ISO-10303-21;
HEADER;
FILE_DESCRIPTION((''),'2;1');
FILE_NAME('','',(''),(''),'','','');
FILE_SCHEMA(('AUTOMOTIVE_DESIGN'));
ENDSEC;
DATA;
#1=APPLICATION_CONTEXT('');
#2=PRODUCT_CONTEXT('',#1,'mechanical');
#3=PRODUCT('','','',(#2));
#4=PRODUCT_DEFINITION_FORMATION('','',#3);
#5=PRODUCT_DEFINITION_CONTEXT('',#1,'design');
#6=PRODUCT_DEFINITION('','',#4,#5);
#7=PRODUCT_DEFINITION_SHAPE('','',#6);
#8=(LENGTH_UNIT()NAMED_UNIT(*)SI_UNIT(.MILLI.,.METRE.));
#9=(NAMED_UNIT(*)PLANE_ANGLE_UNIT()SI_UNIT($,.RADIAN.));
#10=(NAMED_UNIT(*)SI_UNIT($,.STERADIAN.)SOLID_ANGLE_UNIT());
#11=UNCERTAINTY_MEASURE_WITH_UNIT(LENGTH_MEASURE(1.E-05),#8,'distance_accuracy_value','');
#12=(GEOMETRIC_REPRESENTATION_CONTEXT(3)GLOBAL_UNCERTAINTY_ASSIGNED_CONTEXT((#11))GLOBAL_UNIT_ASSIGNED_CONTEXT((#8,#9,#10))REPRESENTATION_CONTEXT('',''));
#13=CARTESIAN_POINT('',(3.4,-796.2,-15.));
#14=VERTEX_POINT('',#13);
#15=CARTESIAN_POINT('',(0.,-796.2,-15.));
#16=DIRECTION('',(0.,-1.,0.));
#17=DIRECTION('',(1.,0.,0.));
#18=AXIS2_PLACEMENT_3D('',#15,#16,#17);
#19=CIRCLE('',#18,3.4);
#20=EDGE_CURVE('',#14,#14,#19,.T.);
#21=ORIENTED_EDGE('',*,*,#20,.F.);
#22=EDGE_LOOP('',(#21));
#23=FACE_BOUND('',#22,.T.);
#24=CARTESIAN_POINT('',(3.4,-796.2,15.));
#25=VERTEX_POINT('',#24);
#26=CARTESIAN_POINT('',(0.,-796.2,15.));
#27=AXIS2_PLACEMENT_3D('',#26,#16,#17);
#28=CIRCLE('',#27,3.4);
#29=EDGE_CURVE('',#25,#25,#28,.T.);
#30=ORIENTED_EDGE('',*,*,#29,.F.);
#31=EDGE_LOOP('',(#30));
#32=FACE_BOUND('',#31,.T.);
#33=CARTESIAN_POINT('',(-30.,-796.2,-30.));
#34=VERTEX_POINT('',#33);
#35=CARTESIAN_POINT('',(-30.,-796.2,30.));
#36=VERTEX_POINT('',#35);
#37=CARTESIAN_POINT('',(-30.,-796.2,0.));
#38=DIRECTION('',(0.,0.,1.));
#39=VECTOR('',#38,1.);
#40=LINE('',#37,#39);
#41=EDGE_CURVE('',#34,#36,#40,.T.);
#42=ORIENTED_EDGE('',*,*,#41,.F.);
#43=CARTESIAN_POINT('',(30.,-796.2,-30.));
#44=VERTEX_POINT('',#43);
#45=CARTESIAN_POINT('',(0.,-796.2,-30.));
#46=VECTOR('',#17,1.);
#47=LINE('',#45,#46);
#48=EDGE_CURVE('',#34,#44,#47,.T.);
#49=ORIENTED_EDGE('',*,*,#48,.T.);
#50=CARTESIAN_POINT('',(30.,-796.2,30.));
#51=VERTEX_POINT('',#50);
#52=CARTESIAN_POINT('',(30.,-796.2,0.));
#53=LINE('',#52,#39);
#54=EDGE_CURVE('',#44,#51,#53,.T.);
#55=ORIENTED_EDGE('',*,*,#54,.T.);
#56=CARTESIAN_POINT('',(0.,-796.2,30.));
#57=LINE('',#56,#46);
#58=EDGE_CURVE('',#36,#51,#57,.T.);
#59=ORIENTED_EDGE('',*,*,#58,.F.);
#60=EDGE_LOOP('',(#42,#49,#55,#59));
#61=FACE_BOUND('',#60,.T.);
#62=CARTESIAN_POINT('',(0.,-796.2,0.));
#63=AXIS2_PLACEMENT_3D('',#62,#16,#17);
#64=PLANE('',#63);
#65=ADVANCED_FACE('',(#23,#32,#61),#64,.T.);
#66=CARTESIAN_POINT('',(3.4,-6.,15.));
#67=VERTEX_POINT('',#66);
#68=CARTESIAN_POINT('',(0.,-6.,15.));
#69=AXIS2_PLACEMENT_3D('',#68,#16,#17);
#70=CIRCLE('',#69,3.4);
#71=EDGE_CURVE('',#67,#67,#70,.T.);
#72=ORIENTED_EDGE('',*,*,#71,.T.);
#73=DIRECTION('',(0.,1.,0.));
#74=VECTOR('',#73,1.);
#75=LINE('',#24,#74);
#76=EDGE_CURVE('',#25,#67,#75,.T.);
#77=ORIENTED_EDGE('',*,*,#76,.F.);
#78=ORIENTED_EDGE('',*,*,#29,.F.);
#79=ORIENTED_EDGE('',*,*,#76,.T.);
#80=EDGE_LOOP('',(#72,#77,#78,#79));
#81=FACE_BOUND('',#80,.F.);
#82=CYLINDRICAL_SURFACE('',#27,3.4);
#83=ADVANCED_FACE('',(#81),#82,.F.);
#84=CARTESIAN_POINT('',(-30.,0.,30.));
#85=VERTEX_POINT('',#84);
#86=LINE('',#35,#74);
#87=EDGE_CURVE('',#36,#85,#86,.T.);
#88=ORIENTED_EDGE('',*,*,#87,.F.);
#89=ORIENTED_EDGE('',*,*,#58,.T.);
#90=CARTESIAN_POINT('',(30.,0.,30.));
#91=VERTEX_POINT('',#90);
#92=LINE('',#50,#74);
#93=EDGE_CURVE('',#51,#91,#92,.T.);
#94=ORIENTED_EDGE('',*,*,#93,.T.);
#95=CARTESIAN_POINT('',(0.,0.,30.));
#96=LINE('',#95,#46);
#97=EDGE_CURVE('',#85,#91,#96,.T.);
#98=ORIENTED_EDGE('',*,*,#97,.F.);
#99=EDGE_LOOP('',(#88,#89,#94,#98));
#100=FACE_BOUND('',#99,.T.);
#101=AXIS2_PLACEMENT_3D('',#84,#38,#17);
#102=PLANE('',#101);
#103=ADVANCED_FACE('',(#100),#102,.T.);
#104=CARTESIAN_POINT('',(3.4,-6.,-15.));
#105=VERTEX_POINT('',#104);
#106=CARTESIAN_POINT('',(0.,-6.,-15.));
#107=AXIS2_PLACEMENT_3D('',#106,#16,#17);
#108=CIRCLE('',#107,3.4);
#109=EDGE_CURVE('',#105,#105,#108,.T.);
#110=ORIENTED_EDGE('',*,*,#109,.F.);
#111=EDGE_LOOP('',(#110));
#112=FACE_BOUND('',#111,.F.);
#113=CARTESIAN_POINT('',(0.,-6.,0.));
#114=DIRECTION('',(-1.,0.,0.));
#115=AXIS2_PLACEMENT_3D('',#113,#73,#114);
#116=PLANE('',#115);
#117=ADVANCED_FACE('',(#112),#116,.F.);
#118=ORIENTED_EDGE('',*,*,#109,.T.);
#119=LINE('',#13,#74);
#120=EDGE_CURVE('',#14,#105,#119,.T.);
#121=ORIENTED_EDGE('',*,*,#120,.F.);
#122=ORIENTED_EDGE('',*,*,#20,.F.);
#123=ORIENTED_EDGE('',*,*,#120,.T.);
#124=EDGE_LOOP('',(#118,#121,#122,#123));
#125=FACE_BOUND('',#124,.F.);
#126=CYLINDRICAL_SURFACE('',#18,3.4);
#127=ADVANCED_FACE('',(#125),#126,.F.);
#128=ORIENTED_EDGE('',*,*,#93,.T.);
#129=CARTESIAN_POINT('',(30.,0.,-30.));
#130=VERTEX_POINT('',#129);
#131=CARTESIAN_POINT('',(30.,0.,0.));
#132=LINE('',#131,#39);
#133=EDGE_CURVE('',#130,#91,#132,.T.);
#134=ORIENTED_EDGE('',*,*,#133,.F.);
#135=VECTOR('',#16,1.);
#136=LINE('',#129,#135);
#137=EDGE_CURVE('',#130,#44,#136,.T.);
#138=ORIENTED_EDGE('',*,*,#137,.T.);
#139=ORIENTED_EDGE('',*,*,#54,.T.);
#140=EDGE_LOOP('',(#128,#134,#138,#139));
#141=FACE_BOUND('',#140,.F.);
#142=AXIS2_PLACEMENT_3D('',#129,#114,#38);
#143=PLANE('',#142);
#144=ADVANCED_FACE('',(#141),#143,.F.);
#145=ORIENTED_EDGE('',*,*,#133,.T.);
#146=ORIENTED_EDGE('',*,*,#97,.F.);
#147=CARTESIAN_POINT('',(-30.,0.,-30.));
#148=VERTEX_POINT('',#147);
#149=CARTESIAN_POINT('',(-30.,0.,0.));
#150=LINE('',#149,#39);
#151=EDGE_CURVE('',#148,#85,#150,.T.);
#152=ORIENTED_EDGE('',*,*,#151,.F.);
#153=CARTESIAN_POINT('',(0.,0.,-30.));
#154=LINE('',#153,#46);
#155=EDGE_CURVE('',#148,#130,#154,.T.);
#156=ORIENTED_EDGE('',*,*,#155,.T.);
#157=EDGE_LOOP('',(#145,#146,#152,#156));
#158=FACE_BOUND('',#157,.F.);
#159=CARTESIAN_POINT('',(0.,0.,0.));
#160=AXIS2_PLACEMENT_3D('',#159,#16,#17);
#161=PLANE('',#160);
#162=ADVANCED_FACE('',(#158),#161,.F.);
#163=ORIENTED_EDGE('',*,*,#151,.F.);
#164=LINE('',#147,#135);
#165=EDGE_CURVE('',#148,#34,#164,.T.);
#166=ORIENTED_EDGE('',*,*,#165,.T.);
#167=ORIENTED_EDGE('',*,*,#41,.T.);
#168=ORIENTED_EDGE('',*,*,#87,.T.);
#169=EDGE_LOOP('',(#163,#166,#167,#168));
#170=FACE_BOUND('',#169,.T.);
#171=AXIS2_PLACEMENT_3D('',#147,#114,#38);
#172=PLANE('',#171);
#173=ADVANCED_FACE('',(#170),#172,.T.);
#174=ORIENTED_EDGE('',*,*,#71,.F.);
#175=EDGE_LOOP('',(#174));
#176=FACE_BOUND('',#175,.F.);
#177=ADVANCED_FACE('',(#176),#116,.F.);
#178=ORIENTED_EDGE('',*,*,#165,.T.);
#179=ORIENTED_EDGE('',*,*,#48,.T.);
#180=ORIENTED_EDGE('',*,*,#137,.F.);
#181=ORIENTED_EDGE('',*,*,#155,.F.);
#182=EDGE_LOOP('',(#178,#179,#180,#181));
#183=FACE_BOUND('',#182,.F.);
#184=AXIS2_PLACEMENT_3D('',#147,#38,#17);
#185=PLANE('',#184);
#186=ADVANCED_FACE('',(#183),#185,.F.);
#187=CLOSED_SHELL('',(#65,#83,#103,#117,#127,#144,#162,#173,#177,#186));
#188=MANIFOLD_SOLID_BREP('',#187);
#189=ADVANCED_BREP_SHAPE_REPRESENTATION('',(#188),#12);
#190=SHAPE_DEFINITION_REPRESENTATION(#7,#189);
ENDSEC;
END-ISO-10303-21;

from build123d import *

# Parameters (mm, degrees)
F0_W     = 60
F0_H     = 60
F1_DEPTH = 796.2
F2_W     = 60
F2_H     = 60
F3_DEPTH = 6
F4_R     = 3.4
F5_DEPTH = 796.201
F6_W     = 60
F6_H     = 60
F7_DEPTH = 6


with BuildPart() as f1:
    # F0 (on Front) → F1 (new body)
    with BuildSketch(Plane.XZ):
        Rectangle(F0_W, F0_H)
    extrude(amount=F1_DEPTH)

    # F2 (on face) → F3 (join)
    with BuildSketch(Plane.XZ.offset(796.2)):
        Rectangle(F2_W, F2_H)
    extrude(amount=-F3_DEPTH)

    # F4 (on face) → F5 (cut, through all)
    with BuildSketch(Plane.XZ.offset(796.2)):
        with Locations((0, 15)):
            Circle(F4_R)
        with Locations((0, -15)):
            Circle(F4_R)
    extrude(amount=-F5_DEPTH, mode=Mode.SUBTRACT)

    # F6 (on face) → F7 (join)
    with BuildSketch(Plane(origin=(0, 0, 0), x_dir=(-1, 0, 0), z_dir=(0, 1, 0))):
        Rectangle(F6_W, F6_H)
    extrude(amount=-F7_DEPTH)


solid = f1.part
